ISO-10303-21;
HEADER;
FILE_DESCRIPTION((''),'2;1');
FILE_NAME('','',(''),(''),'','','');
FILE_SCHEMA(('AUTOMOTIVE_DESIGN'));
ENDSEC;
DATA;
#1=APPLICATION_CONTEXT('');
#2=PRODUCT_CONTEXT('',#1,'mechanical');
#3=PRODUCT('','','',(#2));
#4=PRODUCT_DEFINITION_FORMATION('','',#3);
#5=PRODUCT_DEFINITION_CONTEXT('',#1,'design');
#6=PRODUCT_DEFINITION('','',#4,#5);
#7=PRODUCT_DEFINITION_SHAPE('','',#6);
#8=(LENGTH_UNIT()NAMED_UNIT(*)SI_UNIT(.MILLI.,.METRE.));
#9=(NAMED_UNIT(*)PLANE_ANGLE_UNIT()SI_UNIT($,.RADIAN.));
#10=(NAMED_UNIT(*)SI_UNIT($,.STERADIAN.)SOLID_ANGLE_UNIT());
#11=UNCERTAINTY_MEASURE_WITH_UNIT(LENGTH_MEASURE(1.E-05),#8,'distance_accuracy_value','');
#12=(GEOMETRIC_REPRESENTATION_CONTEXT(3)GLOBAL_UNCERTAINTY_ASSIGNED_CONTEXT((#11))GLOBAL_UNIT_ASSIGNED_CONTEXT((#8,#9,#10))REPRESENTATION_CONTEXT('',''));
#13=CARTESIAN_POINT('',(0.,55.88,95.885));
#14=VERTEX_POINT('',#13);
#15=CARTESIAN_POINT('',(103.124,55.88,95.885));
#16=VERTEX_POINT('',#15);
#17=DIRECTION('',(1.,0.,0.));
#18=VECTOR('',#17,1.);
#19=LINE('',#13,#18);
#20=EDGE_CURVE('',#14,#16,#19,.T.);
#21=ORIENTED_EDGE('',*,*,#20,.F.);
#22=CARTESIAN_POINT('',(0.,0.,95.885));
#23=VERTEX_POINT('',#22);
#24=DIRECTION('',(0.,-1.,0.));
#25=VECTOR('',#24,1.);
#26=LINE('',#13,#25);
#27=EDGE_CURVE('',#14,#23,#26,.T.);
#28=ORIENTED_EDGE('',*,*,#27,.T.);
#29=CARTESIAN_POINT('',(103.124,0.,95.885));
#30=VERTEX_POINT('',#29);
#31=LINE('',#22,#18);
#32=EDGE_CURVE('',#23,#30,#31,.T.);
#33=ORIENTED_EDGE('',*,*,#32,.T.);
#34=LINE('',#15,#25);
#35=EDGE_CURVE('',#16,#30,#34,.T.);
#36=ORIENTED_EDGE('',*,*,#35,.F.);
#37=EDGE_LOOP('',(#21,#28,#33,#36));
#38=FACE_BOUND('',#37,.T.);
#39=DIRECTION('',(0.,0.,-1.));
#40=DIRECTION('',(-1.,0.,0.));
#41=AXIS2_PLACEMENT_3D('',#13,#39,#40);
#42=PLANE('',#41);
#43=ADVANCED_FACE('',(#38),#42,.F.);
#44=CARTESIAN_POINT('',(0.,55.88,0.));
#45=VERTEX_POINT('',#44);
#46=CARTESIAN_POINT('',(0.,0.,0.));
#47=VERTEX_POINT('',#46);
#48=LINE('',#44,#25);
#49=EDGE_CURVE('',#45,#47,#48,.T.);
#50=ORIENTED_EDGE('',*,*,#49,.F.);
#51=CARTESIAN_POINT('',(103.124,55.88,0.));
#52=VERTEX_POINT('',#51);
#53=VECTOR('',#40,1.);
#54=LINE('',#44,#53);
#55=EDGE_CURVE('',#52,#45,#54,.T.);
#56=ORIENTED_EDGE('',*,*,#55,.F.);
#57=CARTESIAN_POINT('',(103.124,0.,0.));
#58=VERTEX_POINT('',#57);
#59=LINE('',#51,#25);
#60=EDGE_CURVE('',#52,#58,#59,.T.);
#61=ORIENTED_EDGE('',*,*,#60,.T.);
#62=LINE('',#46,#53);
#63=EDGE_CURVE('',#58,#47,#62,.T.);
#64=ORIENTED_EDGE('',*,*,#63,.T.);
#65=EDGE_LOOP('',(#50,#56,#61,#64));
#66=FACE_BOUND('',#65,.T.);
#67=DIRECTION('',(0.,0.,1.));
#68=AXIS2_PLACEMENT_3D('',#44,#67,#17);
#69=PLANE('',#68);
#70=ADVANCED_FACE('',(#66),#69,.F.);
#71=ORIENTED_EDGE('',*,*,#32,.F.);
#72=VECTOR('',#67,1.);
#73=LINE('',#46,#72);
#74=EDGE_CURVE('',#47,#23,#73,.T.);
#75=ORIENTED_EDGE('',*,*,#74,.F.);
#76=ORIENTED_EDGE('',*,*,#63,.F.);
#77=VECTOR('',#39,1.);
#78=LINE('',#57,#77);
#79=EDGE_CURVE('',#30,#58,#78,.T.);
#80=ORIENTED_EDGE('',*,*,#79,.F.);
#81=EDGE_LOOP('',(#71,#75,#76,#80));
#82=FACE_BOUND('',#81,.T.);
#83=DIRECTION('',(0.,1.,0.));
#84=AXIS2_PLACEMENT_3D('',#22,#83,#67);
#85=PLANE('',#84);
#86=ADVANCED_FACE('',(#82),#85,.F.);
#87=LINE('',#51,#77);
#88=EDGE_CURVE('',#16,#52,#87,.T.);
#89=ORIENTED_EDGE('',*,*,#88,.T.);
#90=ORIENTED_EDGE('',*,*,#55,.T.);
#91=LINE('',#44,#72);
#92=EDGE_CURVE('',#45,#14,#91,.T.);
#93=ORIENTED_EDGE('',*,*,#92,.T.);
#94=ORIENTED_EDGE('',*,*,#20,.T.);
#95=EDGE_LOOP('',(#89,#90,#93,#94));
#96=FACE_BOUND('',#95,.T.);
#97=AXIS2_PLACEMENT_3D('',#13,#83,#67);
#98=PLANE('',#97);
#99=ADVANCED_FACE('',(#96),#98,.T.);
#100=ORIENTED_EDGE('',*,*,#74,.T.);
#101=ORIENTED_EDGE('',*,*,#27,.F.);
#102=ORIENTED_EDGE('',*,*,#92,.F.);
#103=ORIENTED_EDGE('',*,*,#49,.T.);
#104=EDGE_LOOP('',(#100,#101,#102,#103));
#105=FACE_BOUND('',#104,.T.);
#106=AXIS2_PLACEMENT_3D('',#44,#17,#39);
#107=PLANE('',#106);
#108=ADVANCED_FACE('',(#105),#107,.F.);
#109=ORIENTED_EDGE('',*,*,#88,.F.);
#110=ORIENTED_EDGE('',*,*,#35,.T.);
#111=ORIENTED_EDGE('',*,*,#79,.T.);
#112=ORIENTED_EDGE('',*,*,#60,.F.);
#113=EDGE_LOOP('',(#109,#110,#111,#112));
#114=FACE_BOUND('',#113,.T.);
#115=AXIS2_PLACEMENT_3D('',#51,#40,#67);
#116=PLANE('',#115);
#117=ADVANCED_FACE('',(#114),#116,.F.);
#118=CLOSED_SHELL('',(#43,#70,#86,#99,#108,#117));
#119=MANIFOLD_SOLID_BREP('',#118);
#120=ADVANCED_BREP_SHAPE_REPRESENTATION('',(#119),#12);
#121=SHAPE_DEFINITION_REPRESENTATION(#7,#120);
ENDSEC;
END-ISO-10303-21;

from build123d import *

# Parameters (mm, degrees)
SKETCH1_W      = 103.124
SKETCH1_H      = 95.885
EXTRUDE1_DEPTH = 55.88


with BuildPart() as part:
    # Sketch1 → Extrude1 (new body)
    with BuildSketch(Plane(origin=(0, 0, 0), x_dir=(1, 0, 0), z_dir=(0, 1, 0))):
        with Locations((51.562, -47.9425)):
            Rectangle(SKETCH1_W, SKETCH1_H)
    extrude(amount=EXTRUDE1_DEPTH)


solid = part.part
